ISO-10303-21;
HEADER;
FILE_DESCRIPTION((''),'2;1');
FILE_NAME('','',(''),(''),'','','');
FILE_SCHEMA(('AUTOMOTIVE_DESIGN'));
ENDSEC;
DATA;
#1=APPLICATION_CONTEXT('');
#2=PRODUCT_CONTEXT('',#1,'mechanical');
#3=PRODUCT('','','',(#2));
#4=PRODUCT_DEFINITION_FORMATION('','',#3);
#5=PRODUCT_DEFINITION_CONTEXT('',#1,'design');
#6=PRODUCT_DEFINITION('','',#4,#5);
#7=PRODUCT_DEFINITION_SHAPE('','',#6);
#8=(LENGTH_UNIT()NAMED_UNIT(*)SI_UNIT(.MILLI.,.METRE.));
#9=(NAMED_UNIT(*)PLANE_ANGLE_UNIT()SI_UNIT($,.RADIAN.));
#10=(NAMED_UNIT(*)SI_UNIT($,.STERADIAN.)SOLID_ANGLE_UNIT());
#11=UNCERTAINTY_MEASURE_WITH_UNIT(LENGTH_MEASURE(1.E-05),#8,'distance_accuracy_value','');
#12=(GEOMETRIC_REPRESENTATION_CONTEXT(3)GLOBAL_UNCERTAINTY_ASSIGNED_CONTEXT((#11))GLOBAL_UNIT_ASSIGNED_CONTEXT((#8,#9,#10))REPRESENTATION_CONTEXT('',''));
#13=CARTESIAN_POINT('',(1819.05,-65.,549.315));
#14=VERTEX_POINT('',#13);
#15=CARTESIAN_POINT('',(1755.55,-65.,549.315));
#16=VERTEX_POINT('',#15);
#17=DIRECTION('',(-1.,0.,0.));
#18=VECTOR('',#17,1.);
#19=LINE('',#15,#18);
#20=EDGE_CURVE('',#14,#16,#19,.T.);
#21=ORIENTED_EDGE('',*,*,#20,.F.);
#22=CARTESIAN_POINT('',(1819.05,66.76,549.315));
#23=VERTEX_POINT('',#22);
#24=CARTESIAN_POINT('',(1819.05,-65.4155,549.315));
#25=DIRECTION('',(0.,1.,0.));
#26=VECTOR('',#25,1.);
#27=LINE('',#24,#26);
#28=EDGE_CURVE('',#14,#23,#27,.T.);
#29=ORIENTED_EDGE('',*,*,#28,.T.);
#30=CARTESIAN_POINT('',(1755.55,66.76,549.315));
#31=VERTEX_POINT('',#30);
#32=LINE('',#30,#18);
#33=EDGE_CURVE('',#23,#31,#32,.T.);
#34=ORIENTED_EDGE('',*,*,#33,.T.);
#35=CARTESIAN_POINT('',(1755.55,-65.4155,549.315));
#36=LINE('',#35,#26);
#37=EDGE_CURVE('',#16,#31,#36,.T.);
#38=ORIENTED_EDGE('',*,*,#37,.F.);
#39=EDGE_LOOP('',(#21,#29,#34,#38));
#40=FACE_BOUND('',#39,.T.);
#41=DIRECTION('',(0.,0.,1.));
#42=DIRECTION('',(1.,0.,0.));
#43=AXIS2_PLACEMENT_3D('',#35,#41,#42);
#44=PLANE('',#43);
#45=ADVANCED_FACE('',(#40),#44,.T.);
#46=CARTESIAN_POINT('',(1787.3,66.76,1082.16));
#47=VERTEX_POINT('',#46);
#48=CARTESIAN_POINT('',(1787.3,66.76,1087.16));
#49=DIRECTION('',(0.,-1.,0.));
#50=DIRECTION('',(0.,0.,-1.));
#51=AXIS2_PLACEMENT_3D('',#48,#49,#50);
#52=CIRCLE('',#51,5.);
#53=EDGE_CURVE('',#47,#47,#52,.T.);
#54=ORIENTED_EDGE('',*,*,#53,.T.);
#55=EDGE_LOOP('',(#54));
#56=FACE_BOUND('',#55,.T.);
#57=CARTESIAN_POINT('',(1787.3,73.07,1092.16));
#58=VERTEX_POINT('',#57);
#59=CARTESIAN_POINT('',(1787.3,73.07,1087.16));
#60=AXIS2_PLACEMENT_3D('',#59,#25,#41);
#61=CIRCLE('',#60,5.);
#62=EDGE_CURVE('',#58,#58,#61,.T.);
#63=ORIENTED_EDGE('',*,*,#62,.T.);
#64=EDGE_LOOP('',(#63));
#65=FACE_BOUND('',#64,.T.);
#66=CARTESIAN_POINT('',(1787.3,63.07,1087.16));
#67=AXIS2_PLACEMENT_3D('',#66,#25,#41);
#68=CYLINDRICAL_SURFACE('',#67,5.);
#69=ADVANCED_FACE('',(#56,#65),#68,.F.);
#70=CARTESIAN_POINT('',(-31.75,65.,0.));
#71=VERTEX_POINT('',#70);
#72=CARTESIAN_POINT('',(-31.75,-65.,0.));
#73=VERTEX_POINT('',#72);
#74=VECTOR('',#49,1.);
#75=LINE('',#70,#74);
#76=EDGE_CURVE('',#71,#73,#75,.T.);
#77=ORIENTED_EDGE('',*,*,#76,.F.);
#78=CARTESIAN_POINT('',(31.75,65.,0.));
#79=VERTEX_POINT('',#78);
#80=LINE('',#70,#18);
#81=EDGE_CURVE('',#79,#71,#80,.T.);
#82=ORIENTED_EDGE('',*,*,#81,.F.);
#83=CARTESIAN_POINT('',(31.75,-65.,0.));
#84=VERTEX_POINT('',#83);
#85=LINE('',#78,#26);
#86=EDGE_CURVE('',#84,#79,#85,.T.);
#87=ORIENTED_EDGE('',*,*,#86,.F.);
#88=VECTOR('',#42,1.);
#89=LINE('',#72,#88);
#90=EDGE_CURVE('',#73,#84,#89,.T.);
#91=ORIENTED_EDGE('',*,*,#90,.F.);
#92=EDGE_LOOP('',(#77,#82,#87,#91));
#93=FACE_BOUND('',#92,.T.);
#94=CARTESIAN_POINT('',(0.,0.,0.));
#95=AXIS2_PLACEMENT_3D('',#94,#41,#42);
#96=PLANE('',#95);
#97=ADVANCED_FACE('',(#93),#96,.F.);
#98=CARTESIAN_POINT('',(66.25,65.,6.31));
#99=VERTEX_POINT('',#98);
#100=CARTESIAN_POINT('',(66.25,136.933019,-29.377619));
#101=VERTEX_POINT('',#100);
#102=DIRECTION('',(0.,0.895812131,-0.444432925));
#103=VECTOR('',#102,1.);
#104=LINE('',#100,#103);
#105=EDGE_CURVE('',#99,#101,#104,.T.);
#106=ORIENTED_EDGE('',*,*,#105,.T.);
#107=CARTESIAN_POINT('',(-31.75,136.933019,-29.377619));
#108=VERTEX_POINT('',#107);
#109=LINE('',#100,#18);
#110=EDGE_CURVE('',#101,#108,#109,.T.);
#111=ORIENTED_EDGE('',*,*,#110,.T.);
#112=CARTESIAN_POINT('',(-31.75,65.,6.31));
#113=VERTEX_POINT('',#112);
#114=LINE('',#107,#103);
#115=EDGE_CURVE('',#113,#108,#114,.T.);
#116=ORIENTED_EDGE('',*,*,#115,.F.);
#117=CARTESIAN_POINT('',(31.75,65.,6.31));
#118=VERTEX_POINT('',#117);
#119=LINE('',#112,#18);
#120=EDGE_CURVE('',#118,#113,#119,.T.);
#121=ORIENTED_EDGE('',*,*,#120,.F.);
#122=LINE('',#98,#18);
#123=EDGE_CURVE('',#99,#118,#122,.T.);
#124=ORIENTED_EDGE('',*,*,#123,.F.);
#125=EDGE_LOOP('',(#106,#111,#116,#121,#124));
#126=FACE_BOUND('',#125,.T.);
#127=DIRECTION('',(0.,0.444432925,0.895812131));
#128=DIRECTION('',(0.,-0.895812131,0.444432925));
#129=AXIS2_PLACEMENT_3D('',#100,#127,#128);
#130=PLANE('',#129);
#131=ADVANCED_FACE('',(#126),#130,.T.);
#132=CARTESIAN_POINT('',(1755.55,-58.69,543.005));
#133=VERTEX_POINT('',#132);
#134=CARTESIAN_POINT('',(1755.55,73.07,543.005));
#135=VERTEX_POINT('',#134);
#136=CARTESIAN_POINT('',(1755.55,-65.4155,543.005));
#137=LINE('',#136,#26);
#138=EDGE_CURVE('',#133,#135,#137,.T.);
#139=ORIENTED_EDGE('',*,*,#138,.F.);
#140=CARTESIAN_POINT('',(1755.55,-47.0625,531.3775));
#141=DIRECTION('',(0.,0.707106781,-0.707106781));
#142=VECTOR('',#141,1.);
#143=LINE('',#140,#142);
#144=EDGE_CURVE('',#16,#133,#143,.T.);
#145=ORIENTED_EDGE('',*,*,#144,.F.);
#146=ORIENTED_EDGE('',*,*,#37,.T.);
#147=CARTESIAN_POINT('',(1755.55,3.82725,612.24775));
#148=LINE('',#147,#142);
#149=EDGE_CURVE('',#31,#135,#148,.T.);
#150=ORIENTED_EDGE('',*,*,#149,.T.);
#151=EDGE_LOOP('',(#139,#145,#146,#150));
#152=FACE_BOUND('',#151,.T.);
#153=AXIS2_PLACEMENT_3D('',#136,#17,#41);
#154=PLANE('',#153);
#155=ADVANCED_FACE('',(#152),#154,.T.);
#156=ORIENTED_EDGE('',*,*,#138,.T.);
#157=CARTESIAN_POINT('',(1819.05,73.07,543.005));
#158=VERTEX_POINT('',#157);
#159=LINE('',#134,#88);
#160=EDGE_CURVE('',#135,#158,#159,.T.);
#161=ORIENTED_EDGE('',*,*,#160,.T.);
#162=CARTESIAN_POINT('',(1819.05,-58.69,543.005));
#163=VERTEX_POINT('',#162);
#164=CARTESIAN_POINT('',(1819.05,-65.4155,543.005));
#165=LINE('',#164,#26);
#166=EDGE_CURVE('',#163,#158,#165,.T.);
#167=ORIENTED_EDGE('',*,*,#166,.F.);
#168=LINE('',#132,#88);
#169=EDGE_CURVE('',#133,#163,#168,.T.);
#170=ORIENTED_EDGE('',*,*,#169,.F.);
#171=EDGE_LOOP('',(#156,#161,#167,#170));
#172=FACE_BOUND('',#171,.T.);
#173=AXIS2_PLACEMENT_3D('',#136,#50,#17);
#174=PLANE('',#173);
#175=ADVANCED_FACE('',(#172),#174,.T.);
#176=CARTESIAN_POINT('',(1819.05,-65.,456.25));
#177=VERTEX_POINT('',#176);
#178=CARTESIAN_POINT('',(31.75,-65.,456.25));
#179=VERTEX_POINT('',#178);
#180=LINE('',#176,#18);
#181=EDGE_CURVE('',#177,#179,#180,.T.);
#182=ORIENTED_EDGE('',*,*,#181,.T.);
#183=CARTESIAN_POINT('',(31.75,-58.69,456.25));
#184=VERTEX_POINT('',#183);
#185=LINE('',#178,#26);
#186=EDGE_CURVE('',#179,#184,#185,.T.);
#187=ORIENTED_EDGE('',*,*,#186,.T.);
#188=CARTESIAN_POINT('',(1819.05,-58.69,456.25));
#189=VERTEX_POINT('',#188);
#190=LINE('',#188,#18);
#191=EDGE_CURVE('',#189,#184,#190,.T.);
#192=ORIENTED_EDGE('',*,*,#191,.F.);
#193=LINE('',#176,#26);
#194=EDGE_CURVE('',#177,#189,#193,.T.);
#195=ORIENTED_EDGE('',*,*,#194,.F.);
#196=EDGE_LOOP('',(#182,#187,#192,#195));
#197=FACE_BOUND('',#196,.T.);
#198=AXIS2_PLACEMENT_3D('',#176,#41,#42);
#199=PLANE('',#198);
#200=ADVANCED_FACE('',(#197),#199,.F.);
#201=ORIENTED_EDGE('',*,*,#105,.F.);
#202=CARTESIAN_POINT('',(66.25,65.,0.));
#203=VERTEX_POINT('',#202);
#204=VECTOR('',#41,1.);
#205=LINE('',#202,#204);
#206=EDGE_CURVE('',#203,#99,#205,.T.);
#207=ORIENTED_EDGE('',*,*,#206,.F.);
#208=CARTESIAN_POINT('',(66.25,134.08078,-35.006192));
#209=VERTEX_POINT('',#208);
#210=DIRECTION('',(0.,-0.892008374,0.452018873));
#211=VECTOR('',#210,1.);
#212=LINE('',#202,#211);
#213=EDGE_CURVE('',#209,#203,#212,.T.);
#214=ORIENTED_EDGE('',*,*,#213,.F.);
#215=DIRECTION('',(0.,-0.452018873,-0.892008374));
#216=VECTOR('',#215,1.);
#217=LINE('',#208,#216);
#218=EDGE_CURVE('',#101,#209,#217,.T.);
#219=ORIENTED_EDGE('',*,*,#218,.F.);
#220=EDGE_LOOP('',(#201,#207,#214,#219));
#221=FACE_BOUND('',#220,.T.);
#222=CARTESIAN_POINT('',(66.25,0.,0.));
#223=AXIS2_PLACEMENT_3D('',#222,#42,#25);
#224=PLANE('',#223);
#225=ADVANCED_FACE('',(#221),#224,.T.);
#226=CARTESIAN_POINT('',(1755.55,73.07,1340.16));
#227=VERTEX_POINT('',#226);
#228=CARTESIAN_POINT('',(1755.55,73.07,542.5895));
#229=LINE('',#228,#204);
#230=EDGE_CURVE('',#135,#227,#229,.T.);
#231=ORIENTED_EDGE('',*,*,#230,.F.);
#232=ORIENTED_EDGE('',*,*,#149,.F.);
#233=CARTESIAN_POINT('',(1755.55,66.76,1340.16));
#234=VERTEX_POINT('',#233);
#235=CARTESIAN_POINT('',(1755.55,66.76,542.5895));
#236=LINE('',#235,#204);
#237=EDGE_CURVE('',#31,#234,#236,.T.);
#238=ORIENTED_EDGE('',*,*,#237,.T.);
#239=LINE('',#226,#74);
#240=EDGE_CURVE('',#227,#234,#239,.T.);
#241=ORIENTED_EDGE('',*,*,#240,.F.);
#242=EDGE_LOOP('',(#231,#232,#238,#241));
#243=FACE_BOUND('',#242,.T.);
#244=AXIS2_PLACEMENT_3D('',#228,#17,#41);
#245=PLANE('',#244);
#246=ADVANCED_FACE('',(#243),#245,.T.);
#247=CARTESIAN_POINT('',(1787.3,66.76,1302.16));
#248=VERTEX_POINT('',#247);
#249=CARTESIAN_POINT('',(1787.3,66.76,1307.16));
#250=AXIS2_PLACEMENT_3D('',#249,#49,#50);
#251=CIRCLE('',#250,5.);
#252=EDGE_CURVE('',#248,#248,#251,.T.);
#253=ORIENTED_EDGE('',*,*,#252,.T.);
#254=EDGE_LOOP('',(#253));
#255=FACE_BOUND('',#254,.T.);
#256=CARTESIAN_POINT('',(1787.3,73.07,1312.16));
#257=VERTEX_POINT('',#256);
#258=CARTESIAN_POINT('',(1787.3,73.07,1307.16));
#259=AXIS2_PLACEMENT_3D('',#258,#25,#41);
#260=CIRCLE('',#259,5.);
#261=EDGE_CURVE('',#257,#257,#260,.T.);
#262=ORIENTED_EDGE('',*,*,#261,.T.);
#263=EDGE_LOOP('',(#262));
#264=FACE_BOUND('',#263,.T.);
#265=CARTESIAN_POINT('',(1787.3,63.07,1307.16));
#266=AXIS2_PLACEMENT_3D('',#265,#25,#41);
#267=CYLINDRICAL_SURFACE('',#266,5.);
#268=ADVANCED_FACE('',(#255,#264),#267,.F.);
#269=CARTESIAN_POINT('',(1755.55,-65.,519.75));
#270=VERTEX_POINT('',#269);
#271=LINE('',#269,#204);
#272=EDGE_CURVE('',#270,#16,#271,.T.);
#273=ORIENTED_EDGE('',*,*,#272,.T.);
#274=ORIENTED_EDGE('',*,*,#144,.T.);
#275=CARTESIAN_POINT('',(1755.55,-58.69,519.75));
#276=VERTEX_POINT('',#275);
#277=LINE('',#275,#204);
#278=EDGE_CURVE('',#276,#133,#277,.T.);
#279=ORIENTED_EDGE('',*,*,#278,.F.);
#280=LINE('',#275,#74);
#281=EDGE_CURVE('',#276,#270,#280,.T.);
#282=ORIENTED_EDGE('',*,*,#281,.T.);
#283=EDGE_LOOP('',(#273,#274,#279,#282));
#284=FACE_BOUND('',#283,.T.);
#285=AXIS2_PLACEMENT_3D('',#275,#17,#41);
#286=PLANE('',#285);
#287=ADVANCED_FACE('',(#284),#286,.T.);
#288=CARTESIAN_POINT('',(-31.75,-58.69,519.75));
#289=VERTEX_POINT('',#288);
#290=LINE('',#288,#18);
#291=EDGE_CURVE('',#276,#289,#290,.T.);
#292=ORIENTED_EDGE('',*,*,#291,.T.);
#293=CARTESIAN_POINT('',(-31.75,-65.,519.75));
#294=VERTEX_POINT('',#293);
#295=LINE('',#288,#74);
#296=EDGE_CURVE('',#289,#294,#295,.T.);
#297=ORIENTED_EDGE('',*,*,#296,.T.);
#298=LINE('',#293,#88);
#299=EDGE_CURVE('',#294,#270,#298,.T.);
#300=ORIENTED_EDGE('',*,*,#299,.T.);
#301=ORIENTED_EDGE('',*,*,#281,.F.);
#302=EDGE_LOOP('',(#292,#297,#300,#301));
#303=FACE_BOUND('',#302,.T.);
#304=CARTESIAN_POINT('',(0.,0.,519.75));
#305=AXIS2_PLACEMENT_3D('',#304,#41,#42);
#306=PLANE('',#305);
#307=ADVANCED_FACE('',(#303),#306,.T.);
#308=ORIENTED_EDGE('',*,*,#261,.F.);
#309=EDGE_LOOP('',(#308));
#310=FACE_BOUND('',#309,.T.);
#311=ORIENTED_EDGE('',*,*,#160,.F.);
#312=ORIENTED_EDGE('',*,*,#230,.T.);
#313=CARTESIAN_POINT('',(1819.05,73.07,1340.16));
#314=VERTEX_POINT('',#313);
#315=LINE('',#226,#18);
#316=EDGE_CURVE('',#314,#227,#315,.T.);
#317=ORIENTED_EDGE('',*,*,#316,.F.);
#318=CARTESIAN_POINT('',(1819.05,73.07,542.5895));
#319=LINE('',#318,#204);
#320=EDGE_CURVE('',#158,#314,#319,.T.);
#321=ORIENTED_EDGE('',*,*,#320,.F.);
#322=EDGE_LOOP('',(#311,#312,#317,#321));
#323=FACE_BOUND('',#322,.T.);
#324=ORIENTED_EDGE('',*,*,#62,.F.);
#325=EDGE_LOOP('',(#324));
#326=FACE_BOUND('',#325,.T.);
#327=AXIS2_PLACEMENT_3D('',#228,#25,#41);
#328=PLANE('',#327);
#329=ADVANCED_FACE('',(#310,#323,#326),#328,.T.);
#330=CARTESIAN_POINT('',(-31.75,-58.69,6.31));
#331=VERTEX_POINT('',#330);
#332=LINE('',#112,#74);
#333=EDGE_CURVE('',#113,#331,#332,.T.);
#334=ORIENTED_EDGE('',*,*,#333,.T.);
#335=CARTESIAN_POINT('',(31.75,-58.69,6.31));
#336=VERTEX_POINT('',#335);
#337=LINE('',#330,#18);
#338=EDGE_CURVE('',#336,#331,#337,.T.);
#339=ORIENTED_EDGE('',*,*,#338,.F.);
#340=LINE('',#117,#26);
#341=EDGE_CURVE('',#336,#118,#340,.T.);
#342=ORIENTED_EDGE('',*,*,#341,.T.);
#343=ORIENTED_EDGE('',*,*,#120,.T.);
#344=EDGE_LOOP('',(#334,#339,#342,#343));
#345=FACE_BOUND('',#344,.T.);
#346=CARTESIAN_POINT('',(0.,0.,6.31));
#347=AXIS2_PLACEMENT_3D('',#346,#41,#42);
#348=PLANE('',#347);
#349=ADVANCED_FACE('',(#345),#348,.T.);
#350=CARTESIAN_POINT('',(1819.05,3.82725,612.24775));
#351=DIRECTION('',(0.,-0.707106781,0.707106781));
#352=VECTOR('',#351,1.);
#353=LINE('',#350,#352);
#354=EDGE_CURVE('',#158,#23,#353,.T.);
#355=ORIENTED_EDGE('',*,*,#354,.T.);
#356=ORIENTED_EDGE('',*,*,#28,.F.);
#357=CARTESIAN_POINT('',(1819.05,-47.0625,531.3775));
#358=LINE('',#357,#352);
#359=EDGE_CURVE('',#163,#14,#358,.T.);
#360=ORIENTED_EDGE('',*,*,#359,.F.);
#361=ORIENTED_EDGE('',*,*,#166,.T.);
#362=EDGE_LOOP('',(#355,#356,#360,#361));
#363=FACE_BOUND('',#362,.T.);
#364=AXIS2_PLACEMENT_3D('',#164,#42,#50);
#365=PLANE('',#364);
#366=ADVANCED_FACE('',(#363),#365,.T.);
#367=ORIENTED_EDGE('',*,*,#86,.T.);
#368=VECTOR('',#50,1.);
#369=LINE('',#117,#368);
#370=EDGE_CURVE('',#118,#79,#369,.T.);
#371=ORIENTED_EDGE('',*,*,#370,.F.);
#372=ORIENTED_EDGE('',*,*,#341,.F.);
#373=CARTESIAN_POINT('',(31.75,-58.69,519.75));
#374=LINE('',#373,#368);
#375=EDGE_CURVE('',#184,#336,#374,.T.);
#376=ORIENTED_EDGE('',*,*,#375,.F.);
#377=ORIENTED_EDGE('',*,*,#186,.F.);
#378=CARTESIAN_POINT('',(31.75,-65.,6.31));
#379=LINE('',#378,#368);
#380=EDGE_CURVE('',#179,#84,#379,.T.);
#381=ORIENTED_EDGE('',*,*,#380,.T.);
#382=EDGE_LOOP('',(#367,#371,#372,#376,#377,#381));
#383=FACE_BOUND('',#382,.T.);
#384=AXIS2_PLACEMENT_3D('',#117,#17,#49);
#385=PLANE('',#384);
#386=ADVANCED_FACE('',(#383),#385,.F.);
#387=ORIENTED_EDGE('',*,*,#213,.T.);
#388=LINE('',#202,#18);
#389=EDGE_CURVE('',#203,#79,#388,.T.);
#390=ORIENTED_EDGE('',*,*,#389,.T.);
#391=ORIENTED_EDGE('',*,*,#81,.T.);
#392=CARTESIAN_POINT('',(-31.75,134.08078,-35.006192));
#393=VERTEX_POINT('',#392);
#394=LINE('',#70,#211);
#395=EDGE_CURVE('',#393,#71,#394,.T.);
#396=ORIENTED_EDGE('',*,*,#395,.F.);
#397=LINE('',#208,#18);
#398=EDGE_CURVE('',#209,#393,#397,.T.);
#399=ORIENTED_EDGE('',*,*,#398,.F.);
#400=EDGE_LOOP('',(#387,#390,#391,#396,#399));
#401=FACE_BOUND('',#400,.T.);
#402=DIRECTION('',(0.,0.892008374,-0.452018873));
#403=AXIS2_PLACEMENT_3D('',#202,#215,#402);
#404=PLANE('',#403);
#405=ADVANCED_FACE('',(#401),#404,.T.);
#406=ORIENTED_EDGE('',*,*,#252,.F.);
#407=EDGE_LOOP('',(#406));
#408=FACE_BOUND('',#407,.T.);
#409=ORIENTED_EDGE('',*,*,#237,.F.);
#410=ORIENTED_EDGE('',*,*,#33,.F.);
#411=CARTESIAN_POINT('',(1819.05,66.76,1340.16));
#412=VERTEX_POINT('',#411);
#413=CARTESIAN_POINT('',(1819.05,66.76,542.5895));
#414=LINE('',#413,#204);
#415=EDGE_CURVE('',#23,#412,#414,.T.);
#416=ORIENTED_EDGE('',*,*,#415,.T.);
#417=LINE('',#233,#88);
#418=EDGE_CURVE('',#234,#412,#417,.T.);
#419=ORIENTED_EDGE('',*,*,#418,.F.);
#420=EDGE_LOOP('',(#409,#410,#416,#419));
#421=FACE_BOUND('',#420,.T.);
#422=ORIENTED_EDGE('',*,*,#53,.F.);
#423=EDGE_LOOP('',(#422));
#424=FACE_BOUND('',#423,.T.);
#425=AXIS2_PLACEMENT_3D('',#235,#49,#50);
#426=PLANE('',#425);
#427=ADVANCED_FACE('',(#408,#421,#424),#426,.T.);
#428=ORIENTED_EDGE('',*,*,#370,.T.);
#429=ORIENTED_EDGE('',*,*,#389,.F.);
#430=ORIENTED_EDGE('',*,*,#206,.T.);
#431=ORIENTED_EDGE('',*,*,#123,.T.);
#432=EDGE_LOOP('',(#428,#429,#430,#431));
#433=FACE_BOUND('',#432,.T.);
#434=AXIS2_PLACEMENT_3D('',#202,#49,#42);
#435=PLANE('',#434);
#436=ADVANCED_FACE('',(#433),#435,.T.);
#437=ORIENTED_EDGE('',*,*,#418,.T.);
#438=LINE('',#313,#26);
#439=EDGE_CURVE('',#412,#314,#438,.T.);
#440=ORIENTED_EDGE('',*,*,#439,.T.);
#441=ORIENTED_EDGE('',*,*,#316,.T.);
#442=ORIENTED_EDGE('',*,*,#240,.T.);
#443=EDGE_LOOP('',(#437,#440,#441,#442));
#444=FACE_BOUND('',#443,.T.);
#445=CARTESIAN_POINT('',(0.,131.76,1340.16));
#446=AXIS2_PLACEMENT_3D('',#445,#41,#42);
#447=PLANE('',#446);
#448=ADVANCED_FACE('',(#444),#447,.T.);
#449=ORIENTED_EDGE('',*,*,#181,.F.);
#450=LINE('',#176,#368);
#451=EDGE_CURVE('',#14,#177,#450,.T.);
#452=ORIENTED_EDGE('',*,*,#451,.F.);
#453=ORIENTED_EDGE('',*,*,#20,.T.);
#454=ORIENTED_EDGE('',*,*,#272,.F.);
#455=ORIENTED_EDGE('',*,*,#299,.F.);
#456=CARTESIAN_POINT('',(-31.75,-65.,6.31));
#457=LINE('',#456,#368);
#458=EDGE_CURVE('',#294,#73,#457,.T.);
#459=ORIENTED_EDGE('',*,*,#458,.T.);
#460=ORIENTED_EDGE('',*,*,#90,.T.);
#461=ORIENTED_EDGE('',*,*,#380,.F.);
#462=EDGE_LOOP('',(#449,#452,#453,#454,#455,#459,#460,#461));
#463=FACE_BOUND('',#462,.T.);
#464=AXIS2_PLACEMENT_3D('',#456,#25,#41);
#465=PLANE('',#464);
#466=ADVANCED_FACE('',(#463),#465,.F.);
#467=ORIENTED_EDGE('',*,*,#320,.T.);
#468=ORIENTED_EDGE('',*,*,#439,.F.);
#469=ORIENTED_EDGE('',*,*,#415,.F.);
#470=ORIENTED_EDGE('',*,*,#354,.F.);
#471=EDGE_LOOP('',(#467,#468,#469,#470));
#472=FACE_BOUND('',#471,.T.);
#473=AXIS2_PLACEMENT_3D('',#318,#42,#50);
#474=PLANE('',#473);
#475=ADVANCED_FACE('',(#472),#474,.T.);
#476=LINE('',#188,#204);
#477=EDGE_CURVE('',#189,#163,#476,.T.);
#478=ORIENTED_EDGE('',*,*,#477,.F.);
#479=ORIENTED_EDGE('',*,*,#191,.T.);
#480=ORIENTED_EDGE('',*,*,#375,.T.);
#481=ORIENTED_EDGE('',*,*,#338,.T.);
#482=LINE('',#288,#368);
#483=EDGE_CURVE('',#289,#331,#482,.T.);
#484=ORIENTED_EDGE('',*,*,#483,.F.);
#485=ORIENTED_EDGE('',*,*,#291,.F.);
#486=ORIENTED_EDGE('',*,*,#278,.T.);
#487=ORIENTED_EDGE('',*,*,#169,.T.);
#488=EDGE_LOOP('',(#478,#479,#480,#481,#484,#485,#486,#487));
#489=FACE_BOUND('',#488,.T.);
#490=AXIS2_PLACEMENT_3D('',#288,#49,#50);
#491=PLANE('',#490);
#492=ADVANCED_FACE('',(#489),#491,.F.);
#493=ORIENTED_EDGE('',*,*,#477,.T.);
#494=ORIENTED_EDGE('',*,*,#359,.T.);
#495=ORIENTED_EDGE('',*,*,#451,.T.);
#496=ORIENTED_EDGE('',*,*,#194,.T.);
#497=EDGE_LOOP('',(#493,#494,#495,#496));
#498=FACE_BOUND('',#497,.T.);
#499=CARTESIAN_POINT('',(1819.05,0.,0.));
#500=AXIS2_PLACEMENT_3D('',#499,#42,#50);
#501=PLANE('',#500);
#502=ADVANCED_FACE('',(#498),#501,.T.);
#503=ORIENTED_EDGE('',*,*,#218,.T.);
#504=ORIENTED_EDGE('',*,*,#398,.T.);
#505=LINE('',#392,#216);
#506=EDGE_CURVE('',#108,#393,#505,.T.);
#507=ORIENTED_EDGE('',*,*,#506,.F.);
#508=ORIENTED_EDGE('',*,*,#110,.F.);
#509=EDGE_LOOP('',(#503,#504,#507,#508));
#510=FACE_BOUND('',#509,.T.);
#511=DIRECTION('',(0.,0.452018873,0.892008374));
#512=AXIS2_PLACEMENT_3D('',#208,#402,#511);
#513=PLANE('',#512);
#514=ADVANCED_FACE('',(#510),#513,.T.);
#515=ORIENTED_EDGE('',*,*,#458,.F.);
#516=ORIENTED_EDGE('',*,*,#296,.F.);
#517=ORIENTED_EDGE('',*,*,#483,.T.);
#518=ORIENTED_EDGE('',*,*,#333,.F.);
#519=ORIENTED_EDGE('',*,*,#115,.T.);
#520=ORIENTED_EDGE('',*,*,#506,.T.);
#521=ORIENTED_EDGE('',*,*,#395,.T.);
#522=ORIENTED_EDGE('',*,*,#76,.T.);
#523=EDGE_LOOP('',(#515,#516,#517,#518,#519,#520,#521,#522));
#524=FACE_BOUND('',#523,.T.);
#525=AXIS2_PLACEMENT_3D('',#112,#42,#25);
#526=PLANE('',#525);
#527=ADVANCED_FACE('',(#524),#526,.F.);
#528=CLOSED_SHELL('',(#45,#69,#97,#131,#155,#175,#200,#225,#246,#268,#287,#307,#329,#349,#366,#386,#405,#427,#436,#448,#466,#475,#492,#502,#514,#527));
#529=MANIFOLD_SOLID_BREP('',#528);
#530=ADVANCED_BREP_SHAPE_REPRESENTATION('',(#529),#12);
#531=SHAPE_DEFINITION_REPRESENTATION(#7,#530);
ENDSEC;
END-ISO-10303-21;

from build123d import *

# Parameters (mm, degrees)
CROQUIS2_W              = 63.5
CROQUIS2_H              = 130
SALIENTE_EXTRUIR1_DEPTH = 6.31
CROQUIS3_W              = 63.5
CROQUIS3_H              = 6.31
SALIENTE_EXTRUIR2_DEPTH = 513.44
CROQUIS4_W              = 63.5
CROQUIS4_H              = 6.31
SALIENTE_EXTRUIR3_DEPTH = 1787.3
CROQUIS9_W              = 63.5
CROQUIS9_H              = 6.31
SALIENTE_EXTRUIR4_DEPTH = 98
CROQUIS12_R             = 5
CORTAR_EXTRUIR1_DEPTH   = 10


with BuildPart() as part:
    # Croquis2 → Saliente-Extruir1 (new body)
    with BuildSketch(Plane.XY):
        Rectangle(CROQUIS2_W, CROQUIS2_H)
    extrude(amount=SALIENTE_EXTRUIR1_DEPTH)

    # Croquis3 → Saliente-Extruir2 (add)
    with BuildSketch(Plane.XY.offset(6.31)):
        with Locations((0, -61.845)):
            Rectangle(CROQUIS3_W, CROQUIS3_H)
    extrude(amount=SALIENTE_EXTRUIR2_DEPTH)

    # Croquis4 → Saliente-Extruir3 (add)
    with BuildSketch(Plane(origin=(31.75, 0, 0), x_dir=(0, 0, -1), z_dir=(1, 0, 0))):
        with Locations((-488, -61.845)):
            Rectangle(CROQUIS4_W, CROQUIS4_H)
    extrude(amount=SALIENTE_EXTRUIR3_DEPTH)

    # Barrer2: sweep along a curve in space
    with BuildLine() as barrer2_path:
        Line((1787.3, -61.845, 519.75), (1787.3, -61.845, 546.16))
        Line((1787.3, -61.845, 546.16), (1787.3, 69.915, 546.16))
        Line((1787.3, 69.915, 546.16), (1787.3, 69.915, 1340.16))
    # Croquis9 → Barrer2 (sweep)
    with BuildSketch(Plane.XY.offset(519.75)):
        with Locations((1787.3, -61.845)):
            Rectangle(CROQUIS9_W, CROQUIS9_H)
    sweep(path=barrer2_path.line, transition=Transition.RIGHT)

    # Croquis11 → Saliente-Extruir4 (add)
    with BuildSketch(Plane.ZY.offset(31.75)):
        Polygon((0, 65), (-35.006192049, 134.080780284), (-29.377619212, 136.933019371), (6.31, 65), align=None)
    extrude(amount=-SALIENTE_EXTRUIR4_DEPTH)

    # Croquis12 → Cortar-Extruir1 (cut)
    with BuildSketch(Plane(origin=(0, 73.07, 0), x_dir=(1, 0, 0), z_dir=(0, 1, 0))):
        with Locations(Location((1787.3, -1307.16, 0), (0, 0, 270))):
            Circle(CROQUIS12_R)
        with Locations(Location((1787.3, -1087.16, 0), (0, 0, 270))):
            Circle(CROQUIS12_R)
    extrude(amount=-CORTAR_EXTRUIR1_DEPTH, mode=Mode.SUBTRACT)


solid = part.part
